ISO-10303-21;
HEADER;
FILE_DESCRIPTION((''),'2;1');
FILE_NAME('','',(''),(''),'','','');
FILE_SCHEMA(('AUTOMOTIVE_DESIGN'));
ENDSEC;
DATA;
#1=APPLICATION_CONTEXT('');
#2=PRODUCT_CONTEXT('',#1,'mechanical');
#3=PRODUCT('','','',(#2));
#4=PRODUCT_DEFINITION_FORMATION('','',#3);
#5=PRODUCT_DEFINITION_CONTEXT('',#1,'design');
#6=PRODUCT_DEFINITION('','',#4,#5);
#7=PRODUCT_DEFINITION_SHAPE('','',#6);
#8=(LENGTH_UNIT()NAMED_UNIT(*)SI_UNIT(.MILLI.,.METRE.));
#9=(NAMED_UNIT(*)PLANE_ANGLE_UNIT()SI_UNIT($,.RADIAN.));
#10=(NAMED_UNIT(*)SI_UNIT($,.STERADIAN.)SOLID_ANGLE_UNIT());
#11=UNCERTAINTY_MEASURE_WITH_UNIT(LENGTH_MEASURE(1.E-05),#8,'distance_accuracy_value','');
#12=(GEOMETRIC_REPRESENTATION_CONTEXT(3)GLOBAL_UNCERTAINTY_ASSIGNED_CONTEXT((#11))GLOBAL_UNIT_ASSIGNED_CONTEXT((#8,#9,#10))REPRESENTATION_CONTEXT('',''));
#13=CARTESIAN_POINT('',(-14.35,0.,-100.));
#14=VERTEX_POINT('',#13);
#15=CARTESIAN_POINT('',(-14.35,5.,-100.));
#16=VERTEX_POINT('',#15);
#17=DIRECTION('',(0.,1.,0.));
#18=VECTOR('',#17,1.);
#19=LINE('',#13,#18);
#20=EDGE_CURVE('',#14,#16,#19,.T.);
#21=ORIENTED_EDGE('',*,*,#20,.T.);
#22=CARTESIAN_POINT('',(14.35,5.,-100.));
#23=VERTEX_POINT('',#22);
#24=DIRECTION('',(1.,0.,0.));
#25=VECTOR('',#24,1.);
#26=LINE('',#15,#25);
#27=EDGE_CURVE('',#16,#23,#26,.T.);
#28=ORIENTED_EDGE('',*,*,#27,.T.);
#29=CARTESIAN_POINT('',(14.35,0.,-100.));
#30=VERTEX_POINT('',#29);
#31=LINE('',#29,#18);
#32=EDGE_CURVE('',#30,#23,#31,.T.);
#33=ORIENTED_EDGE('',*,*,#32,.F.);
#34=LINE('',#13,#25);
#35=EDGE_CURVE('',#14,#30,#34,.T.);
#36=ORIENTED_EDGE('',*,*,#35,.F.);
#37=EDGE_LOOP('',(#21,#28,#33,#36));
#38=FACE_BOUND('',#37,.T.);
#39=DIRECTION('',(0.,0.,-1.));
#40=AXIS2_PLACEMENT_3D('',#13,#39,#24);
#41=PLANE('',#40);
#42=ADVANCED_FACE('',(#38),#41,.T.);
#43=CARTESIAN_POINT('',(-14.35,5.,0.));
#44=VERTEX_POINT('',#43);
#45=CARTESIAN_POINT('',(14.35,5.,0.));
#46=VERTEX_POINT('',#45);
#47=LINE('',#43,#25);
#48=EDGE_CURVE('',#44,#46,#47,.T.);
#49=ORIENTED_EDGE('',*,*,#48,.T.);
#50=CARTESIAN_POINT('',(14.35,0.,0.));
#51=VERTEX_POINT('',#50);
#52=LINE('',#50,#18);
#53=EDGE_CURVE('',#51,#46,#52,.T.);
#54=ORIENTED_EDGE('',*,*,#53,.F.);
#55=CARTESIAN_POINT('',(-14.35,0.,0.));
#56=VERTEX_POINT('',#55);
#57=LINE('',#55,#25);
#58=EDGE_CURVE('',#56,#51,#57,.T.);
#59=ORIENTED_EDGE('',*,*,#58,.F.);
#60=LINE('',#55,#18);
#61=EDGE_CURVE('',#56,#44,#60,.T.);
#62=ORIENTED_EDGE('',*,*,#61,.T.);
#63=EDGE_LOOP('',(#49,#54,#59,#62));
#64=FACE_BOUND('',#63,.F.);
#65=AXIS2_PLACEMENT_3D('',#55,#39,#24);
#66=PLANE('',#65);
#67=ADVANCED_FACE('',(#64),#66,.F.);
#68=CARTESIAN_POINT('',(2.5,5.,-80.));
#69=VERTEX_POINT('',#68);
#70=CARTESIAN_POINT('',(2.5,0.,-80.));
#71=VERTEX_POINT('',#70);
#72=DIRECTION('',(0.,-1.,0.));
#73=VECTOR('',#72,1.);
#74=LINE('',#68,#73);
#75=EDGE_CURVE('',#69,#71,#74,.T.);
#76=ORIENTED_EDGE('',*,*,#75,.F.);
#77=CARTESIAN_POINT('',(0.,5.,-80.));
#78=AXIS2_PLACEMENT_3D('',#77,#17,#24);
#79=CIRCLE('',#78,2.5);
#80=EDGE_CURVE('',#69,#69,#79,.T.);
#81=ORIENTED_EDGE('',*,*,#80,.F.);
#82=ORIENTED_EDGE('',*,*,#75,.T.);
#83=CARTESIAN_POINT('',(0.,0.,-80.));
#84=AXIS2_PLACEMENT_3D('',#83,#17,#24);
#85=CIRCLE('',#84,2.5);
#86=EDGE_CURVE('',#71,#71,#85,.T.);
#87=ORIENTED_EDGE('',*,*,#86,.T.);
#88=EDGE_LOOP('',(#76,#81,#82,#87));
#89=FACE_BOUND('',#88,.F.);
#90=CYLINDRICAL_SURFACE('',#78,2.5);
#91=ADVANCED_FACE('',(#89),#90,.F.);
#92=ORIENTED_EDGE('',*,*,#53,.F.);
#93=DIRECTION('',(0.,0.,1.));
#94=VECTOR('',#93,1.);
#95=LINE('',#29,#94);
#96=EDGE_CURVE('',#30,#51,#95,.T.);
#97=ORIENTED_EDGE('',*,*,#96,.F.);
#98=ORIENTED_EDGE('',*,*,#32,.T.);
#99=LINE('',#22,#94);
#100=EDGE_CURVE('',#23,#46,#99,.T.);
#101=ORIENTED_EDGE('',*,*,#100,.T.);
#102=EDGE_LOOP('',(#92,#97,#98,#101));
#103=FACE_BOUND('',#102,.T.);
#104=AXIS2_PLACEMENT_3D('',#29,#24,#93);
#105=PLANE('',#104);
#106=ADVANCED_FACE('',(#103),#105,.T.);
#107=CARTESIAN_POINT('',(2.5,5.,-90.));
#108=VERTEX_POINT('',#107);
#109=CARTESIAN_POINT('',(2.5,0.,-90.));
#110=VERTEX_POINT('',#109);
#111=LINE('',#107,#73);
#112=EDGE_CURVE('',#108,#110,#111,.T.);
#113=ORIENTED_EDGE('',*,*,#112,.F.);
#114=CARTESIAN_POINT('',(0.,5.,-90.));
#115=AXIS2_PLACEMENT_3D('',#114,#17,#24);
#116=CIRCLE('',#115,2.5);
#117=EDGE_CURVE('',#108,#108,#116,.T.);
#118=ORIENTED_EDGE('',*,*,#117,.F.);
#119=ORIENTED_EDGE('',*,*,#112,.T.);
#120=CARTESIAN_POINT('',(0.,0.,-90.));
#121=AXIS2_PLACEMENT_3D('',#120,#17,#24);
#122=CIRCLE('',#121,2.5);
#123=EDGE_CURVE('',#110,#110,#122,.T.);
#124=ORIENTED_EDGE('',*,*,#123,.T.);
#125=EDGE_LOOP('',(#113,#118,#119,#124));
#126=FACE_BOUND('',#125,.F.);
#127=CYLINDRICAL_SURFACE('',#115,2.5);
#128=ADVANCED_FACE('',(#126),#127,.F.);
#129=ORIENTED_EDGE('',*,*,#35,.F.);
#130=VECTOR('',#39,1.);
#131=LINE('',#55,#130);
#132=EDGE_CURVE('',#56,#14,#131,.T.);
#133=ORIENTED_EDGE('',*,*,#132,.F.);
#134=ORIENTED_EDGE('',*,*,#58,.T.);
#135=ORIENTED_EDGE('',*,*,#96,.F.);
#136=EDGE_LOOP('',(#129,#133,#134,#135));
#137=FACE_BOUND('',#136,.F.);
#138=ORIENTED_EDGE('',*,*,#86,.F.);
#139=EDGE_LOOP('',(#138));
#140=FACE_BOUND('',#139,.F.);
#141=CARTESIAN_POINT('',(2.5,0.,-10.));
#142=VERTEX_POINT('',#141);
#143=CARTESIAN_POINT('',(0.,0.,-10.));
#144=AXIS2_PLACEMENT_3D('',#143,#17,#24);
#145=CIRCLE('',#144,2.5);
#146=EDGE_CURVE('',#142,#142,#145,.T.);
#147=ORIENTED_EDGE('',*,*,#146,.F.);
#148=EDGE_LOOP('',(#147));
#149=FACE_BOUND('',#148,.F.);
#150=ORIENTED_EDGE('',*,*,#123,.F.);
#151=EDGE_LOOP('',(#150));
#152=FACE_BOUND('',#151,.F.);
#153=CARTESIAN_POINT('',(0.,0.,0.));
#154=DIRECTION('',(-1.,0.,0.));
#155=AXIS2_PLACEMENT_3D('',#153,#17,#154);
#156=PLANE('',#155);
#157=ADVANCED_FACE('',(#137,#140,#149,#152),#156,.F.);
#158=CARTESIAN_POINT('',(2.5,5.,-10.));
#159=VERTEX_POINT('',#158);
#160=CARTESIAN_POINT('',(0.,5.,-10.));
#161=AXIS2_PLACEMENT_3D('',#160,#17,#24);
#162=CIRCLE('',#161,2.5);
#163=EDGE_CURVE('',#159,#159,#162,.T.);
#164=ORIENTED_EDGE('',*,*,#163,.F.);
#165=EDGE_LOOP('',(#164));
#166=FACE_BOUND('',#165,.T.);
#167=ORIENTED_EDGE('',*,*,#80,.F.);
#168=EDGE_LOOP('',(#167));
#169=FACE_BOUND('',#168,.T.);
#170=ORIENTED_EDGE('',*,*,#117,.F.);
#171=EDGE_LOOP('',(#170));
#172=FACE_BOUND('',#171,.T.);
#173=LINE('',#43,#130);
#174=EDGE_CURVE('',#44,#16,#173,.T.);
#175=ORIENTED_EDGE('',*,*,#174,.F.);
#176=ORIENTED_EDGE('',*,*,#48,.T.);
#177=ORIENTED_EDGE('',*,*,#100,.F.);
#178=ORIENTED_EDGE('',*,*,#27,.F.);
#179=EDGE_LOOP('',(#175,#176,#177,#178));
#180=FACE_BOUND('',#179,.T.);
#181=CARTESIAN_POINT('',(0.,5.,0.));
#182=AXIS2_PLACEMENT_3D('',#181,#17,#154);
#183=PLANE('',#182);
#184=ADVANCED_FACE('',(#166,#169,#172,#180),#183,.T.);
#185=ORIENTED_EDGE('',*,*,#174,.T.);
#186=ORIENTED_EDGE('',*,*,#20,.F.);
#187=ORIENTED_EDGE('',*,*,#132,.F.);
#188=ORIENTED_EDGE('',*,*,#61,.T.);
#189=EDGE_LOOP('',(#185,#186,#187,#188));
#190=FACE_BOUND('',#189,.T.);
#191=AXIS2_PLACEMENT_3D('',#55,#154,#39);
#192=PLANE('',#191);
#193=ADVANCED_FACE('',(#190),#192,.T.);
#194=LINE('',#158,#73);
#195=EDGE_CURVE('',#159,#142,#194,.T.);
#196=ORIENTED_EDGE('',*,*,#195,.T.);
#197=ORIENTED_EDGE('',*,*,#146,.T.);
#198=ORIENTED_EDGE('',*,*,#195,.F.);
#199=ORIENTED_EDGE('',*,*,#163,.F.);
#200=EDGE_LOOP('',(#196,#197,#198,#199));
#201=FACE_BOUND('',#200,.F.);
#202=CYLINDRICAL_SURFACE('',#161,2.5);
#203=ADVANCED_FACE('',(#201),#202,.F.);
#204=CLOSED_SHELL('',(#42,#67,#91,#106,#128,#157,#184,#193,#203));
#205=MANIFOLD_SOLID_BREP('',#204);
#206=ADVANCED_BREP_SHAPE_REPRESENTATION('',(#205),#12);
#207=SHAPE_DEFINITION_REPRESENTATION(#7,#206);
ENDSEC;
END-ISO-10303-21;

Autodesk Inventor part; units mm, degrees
ref_plane "YZ Plane" through (0, 0, 0) normal (1, 0, 0) x (0, 1, 0)
ref_plane "XZ Plane" through (0, 0, 0) normal (0, 1, 0) x (-1, 0, 0)
ref_plane "XY Plane" through (0, 0, 0) normal (0, 0, 1) x (1, 0, 0)
sketch "Sketch1" plane through (0, 0, 0) normal (0, 1, 0) x (-1, 0, 0)
  line L0 (14.35, -100) -> (-14.35, -100)
  line L1 (14.35, 0) -> (14.35, -100)
  line L2 (14.35, 0) -> (-14.35, 0)
  line L3 (14.35, 0) -> (-14.35, 0)
  line L4 (-14.35, -100) -> (-14.35, 0)
  point P0 (0, 0)
extrude "Extrusion1" add sketch "Sketch1" along normal blind 5
sketch "Sketch2" plane through (0, 5, 0) normal (0, 1, 0) x (1, 0, 0)
  circle A0 centre (0, 80) radius 2.5
  circle A1 centre (0, 90) radius 2.5
  circle A2 centre (0, 10) radius 2.5
  point P0 (0, 0)
extrude "Extrusion2" cut sketch "Sketch2" against normal through all
properties part number "plat"
